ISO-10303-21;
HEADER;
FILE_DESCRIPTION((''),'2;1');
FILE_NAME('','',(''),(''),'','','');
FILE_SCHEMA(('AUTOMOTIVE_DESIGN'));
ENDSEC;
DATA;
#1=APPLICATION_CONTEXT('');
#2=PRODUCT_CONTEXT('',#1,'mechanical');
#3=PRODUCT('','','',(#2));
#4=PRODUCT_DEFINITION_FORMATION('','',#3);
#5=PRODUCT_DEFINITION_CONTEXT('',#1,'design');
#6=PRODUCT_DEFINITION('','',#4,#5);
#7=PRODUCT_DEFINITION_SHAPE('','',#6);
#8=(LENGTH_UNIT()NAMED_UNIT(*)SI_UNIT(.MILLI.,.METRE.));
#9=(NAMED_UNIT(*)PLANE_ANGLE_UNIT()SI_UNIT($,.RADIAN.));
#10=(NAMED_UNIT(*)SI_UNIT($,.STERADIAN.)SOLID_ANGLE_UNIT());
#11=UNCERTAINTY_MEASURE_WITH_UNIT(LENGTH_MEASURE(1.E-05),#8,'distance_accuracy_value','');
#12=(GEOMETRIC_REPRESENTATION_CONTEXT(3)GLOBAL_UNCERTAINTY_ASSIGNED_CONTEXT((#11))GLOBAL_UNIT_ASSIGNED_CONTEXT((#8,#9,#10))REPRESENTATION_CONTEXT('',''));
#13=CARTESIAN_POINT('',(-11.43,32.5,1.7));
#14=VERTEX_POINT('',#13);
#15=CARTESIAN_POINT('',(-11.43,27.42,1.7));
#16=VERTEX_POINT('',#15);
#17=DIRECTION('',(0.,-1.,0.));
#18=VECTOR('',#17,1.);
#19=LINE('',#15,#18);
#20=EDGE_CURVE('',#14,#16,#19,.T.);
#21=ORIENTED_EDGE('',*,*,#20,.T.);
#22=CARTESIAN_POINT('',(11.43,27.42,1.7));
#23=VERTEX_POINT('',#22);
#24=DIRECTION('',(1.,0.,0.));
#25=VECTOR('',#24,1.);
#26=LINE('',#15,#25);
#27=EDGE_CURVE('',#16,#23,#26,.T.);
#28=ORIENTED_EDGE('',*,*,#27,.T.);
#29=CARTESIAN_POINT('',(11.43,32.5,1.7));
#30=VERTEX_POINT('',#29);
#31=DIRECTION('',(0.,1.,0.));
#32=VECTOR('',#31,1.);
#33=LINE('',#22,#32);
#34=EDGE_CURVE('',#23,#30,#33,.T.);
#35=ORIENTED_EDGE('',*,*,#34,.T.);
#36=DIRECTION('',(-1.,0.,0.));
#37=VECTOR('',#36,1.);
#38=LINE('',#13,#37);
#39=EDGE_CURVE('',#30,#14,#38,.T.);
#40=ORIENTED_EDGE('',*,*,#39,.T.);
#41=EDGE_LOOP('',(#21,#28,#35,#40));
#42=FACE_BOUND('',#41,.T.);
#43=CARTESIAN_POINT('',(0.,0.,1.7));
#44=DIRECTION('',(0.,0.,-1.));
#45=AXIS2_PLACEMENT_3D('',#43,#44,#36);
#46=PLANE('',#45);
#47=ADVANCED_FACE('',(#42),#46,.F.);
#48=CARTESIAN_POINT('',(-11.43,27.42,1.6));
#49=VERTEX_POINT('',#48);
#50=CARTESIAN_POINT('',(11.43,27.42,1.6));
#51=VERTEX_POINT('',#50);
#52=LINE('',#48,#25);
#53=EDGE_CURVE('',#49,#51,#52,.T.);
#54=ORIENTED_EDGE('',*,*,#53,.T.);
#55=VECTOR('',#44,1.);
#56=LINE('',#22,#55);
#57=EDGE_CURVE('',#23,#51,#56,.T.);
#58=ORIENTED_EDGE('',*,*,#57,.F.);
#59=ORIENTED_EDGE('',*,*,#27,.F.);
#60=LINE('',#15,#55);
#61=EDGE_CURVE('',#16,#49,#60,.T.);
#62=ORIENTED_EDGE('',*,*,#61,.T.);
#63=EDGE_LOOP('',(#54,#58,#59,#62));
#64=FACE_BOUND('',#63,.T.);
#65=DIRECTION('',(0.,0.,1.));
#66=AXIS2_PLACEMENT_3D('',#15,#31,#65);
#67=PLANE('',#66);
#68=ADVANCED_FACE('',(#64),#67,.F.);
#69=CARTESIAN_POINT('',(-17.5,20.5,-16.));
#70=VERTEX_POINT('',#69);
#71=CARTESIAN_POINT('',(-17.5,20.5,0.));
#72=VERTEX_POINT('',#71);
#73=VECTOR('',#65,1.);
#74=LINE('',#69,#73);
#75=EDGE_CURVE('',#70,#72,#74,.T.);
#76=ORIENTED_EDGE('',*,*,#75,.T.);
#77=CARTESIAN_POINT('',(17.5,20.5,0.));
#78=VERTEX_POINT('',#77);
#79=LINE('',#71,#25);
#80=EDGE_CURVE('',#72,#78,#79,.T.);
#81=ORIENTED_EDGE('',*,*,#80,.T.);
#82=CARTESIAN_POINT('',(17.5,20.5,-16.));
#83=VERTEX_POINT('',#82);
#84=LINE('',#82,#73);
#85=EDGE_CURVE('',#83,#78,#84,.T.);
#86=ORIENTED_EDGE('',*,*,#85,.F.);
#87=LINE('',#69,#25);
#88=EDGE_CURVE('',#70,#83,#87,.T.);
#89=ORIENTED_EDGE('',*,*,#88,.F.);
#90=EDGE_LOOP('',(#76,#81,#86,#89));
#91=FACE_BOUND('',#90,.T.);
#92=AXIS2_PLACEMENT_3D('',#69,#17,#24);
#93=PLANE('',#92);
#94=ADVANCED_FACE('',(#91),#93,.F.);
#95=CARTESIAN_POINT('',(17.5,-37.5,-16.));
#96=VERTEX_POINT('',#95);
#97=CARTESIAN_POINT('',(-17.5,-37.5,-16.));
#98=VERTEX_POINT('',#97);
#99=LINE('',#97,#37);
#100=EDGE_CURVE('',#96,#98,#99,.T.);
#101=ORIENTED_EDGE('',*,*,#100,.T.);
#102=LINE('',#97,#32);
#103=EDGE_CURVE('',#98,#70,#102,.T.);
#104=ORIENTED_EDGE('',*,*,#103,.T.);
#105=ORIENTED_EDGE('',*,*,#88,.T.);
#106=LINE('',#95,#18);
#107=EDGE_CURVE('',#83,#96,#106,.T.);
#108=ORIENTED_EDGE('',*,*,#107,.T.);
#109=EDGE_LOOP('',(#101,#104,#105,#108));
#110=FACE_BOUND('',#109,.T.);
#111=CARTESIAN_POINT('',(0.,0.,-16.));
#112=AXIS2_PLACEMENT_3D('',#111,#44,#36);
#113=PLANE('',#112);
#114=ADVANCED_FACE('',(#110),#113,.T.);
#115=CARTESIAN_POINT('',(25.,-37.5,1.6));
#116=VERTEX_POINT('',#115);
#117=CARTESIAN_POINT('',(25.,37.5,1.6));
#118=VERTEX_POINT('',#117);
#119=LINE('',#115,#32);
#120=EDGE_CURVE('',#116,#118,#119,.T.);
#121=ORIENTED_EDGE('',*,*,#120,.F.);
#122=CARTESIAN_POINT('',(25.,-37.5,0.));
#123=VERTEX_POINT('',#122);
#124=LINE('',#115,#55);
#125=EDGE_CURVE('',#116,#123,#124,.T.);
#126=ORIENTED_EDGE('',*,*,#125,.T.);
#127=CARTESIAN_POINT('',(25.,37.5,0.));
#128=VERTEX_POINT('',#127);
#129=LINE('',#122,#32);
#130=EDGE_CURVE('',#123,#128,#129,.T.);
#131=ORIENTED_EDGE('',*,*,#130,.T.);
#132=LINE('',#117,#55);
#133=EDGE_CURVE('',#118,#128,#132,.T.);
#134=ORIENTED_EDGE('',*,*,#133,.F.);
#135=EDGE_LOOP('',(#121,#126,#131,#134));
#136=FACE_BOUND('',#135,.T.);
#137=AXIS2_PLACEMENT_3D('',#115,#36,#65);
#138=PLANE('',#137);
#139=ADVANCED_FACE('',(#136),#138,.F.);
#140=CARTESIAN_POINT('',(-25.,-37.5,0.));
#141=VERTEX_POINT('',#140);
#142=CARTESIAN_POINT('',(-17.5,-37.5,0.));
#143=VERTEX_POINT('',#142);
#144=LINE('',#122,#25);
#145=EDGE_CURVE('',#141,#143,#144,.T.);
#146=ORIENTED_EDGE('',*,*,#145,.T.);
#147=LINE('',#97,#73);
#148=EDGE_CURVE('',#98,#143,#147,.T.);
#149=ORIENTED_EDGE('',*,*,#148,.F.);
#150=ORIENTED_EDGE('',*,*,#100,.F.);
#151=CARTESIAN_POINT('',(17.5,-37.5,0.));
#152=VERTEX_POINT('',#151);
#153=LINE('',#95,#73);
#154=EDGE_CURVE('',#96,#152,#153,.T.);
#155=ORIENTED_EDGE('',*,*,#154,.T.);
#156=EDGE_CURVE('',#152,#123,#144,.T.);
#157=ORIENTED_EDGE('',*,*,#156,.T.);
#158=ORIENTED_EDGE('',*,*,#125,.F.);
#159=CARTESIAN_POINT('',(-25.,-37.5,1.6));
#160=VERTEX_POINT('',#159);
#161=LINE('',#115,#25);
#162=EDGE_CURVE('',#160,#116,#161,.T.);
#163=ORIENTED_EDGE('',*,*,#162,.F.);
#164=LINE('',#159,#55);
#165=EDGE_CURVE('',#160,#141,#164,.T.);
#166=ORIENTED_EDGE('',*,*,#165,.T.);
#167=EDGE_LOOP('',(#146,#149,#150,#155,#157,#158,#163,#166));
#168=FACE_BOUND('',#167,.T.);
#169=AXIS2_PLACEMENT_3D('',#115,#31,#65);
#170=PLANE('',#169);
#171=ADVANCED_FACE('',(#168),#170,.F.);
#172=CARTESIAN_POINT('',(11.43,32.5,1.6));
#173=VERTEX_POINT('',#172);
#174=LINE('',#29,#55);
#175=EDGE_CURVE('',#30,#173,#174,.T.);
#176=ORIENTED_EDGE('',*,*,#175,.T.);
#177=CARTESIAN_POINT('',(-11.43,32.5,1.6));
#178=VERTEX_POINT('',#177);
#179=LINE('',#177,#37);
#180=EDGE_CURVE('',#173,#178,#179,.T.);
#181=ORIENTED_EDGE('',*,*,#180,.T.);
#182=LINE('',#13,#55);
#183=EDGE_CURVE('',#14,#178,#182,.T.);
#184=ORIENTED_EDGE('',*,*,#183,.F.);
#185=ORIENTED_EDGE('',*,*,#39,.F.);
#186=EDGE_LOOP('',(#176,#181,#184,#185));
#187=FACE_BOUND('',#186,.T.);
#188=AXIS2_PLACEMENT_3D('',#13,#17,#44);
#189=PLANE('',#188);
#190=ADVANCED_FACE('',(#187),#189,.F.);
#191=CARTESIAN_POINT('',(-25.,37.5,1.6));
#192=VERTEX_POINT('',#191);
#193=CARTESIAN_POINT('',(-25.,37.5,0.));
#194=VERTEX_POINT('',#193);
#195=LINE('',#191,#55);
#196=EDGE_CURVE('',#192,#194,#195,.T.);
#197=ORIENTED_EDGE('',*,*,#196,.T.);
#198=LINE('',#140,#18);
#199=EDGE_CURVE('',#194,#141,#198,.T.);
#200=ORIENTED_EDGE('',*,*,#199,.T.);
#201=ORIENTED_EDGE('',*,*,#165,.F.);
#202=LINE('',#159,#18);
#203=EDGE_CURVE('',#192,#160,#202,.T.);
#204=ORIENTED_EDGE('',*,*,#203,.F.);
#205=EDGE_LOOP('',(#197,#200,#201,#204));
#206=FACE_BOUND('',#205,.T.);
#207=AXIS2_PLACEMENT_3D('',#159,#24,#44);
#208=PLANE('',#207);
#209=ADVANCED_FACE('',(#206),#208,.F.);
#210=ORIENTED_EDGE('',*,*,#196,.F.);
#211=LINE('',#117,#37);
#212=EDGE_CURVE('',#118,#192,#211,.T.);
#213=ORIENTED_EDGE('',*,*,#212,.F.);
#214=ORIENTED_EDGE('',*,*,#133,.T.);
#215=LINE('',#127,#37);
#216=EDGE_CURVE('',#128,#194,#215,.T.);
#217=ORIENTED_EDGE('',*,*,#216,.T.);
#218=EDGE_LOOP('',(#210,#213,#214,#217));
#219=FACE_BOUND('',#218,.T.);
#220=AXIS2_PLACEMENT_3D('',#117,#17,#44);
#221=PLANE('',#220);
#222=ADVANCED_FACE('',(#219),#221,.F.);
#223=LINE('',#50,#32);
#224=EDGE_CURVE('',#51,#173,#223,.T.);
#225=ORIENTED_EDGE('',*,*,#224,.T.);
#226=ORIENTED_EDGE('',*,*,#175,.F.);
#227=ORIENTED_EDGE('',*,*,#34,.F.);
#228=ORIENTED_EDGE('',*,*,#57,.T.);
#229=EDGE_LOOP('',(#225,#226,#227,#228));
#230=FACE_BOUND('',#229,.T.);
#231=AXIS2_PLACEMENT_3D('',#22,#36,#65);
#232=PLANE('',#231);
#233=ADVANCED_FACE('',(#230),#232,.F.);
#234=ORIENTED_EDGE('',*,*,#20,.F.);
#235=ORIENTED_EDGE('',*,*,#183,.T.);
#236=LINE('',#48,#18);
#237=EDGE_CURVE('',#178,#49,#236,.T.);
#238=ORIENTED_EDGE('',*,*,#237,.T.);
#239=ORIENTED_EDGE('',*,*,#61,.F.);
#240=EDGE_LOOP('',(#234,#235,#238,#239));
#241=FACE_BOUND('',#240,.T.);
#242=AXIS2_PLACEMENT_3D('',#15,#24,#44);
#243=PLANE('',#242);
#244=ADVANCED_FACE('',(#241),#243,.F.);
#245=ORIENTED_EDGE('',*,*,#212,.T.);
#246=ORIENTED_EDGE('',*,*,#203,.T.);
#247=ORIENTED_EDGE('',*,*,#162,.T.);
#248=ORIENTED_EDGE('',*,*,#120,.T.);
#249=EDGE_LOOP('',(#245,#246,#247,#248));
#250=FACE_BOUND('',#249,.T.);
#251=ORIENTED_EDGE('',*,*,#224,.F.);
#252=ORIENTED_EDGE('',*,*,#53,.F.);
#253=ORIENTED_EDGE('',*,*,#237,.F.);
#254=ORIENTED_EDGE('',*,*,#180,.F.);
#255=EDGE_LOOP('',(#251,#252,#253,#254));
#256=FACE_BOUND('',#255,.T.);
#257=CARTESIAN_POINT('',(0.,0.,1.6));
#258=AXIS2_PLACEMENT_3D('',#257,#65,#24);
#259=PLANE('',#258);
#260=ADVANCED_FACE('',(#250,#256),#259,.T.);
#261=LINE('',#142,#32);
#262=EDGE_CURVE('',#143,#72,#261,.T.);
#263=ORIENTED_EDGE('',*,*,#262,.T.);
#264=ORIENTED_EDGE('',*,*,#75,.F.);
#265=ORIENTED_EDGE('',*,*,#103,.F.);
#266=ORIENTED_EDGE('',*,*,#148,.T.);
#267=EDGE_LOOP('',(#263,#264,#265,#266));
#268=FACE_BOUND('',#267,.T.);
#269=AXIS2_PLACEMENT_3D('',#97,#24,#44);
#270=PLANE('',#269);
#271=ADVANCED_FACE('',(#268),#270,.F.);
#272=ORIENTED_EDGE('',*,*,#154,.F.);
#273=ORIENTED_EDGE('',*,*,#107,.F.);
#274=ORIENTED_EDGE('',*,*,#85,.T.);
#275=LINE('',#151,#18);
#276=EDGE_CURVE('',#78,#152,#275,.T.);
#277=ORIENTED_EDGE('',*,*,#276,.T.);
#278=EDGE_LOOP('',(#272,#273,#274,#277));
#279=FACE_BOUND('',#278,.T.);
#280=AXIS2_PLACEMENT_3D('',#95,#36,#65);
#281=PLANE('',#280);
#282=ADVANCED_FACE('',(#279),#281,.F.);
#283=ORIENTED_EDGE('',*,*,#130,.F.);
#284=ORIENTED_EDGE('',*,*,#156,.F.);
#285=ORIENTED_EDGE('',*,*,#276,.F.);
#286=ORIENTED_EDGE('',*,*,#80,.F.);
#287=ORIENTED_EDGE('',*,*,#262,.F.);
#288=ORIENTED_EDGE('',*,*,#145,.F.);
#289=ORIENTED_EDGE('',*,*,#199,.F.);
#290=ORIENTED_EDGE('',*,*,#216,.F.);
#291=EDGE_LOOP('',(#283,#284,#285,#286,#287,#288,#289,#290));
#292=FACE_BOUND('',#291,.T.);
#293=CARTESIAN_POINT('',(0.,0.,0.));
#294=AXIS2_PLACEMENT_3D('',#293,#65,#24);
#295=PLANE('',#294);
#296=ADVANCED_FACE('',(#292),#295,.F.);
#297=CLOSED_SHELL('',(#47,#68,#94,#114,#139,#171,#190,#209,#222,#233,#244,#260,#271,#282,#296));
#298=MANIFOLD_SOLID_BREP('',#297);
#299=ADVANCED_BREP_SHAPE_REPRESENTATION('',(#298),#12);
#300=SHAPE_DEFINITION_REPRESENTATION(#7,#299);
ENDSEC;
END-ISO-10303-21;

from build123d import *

# Parameters (mm, degrees)
SKETCH1_W           = 50
SKETCH1_H           = 75
BOSS_EXTRUDE1_DEPTH = 1.6
SKETCH3_W           = 22.86
SKETCH3_H           = 5.08
BOSS_EXTRUDE2_DEPTH = 0.1
SKETCH6_W           = 35
SKETCH6_H           = 58
BOSS_EXTRUDE3_DEPTH = 16


with BuildPart() as part:
    # Sketch1 → Boss-Extrude1 (new body)
    with BuildSketch(Plane.XY):
        Rectangle(SKETCH1_W, SKETCH1_H)
    extrude(amount=BOSS_EXTRUDE1_DEPTH)

    # Sketch3 → Boss-Extrude2 (add)
    with BuildSketch(Plane.XY.offset(1.6)):
        with Locations((0, 29.96)):
            Rectangle(SKETCH3_W, SKETCH3_H)
    extrude(amount=BOSS_EXTRUDE2_DEPTH)

    # Sketch6 → Boss-Extrude3 (add)
    with BuildSketch(Plane(origin=(0, 0, 0), x_dir=(-1, 0, 0), z_dir=(0, 0, -1))):
        with Locations((0, -8.5)):
            Rectangle(SKETCH6_W, SKETCH6_H)
    extrude(amount=BOSS_EXTRUDE3_DEPTH)


solid = part.part
